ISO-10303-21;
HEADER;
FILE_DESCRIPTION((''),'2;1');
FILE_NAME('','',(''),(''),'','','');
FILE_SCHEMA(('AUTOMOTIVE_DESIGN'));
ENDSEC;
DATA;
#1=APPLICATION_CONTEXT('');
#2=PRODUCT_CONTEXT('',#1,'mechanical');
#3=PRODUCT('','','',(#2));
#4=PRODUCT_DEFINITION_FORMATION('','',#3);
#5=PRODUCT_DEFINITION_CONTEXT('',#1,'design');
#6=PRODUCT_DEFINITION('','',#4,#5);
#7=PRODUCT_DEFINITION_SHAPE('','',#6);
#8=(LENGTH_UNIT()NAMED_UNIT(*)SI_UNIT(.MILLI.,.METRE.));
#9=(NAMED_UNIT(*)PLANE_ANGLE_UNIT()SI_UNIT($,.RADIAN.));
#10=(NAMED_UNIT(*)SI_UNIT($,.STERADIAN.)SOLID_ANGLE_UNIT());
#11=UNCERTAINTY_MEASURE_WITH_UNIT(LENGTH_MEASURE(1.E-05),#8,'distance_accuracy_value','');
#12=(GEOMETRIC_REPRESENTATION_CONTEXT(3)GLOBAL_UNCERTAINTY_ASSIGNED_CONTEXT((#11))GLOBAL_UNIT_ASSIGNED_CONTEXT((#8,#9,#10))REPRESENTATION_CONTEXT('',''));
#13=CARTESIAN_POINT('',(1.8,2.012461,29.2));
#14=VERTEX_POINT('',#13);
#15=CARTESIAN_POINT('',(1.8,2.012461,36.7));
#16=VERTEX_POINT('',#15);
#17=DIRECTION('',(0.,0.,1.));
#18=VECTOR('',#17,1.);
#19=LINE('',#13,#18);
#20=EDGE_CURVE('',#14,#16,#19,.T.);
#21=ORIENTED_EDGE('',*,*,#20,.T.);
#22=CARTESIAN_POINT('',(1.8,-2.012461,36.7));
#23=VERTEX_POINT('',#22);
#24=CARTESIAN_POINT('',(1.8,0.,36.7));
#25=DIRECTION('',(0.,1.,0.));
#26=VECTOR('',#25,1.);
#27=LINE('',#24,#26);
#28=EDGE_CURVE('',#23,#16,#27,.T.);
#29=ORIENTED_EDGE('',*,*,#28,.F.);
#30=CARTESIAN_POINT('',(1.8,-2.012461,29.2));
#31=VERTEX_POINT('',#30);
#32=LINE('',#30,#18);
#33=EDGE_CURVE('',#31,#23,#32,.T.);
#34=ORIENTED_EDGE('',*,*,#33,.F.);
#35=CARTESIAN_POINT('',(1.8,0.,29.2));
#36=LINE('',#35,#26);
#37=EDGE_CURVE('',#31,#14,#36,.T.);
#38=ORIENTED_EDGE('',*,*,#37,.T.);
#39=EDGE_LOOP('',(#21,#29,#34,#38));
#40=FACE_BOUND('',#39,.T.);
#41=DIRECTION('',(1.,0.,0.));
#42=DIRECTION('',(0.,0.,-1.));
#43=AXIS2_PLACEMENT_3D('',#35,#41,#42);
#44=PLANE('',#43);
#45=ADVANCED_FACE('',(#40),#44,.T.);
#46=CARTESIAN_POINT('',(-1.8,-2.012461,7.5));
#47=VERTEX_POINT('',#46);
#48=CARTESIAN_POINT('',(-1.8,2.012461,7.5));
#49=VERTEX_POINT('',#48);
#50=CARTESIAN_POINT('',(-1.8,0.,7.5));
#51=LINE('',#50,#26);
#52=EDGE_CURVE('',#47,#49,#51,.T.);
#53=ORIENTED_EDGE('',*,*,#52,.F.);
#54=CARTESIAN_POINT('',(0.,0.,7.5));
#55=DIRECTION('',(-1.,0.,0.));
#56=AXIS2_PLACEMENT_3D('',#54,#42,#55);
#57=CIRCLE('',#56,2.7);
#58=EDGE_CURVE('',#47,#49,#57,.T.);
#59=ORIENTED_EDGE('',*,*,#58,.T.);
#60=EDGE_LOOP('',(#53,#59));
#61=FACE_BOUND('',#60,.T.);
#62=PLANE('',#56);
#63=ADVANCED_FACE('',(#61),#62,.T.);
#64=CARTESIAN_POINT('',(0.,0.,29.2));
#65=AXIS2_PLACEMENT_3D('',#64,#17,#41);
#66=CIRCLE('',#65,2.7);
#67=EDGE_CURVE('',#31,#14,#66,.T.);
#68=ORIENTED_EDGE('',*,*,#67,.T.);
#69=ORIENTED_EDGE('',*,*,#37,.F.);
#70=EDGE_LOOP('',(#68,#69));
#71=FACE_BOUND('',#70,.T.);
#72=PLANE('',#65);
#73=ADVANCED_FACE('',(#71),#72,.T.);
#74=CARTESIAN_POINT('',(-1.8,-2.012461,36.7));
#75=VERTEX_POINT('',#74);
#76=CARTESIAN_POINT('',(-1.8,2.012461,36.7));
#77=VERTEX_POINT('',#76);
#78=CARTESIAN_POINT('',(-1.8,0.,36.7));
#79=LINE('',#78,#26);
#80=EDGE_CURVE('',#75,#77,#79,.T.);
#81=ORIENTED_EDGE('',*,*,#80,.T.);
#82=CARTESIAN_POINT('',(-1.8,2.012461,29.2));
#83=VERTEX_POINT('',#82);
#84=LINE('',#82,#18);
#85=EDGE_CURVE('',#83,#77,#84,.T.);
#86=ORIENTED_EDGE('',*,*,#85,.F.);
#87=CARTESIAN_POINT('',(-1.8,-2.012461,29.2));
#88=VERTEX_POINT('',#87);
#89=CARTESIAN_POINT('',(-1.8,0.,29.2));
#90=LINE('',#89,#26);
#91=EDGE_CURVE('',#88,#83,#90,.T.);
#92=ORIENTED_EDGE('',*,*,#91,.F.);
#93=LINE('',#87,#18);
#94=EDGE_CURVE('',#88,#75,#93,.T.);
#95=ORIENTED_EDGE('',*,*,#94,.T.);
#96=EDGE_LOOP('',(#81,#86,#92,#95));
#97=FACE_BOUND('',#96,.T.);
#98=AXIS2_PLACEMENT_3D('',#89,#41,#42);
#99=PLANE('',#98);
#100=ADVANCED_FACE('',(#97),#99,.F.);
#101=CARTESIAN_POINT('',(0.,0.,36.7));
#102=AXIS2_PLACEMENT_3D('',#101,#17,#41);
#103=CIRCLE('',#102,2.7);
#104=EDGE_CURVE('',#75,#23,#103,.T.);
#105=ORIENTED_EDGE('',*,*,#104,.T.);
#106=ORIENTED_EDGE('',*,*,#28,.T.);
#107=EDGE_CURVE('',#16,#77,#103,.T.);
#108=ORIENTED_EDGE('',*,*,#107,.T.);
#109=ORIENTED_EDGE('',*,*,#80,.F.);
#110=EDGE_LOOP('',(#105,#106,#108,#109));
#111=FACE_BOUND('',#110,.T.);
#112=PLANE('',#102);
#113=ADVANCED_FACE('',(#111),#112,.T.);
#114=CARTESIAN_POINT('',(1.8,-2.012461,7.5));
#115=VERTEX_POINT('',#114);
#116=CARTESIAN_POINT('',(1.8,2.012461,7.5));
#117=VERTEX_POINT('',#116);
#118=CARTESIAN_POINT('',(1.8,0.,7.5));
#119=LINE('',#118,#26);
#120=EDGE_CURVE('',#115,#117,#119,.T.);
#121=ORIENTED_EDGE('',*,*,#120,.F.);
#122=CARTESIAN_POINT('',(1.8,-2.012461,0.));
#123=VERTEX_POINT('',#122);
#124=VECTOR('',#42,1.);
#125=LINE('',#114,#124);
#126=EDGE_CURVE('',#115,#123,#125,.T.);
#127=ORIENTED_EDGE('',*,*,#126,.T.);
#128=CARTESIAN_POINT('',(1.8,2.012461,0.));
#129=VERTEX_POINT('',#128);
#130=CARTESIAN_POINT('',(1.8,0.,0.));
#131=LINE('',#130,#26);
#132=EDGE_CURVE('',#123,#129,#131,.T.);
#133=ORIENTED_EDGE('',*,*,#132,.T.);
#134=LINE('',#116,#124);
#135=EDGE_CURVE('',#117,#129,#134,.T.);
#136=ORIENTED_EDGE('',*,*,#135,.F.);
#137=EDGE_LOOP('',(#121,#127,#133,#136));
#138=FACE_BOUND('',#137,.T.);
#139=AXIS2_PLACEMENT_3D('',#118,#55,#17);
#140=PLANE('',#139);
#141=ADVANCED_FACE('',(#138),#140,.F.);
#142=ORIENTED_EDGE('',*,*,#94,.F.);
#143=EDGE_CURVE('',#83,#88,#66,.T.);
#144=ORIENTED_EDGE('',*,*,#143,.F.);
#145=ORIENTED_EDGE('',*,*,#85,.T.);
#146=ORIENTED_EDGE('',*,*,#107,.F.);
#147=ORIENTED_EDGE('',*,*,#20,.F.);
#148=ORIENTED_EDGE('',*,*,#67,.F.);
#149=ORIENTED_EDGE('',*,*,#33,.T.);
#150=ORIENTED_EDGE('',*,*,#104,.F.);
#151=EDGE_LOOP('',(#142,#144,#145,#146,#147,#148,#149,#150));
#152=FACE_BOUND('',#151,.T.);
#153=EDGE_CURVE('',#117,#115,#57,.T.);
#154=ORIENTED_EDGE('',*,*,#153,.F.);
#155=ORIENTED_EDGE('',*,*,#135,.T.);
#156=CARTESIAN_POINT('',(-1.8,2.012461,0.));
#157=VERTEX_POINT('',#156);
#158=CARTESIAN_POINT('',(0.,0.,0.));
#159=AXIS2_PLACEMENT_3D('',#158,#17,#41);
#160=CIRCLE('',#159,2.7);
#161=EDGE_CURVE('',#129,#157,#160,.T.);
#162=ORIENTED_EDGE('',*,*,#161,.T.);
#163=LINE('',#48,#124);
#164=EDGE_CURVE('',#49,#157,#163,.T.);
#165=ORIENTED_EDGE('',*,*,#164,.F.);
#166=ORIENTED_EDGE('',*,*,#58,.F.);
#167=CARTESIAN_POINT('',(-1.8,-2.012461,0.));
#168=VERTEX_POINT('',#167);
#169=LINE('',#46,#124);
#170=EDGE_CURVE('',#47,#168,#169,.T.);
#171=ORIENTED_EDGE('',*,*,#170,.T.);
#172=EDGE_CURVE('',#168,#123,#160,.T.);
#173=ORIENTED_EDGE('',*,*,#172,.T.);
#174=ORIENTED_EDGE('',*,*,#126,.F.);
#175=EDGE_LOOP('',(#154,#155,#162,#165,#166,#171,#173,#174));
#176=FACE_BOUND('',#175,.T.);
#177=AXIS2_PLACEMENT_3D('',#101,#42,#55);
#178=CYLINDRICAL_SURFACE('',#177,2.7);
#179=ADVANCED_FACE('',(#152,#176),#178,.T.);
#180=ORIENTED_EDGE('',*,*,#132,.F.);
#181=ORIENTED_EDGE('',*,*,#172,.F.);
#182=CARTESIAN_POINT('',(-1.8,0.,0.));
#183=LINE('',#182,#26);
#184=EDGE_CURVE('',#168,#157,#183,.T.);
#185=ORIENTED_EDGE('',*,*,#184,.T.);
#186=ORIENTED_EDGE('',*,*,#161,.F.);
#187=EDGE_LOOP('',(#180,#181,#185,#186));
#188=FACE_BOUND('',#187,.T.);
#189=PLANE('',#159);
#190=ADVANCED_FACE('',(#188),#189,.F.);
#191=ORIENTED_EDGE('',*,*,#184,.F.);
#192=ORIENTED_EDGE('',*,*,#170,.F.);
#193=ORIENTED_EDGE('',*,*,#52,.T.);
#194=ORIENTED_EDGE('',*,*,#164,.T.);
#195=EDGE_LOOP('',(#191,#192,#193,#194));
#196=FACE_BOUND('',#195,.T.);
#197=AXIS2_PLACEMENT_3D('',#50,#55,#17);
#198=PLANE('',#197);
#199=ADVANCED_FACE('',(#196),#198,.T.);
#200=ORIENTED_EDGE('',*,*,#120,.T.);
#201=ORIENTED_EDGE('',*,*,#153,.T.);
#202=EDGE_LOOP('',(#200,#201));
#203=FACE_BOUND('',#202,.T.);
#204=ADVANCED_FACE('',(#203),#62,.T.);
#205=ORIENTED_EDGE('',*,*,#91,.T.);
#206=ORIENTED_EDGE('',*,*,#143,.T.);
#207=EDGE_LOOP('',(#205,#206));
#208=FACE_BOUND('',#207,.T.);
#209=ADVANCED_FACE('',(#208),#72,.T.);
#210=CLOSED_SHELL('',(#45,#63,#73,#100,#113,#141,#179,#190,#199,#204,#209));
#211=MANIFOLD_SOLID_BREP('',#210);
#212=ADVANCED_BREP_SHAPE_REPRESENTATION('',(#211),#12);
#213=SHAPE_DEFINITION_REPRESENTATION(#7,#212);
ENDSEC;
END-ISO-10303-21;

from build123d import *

# Parameters (mm, degrees)
CROQUIS1_R              = 2.7
SALIENTE_EXTRUIR1_DEPTH = 36.7
CORTAR_EXTRUIR1_DEPTH   = 7.5
CORTAR_EXTRUIR2_START   = -7.5
CORTAR_EXTRUIR2_DEPTH   = 7.5


with BuildPart() as part:
    # Croquis1 → Saliente-Extruir1 (new body)
    with BuildSketch(Plane.XY):
        Circle(CROQUIS1_R)
    extrude(amount=SALIENTE_EXTRUIR1_DEPTH)

    # Croquis2 → Cortar-Extruir1 (cut)
    with BuildSketch(Plane(origin=(0, 0, 0), x_dir=(-1, 0, 0), z_dir=(0, 0, -1))):
        with BuildLine():
            ThreePointArc((-1.8, 2.01246118), (-2.7, 0), (-1.8, -2.01246118))
            Line((-1.8, -2.01246118), (-1.8, 2.01246118))
        make_face()
        with BuildLine():
            Line((1.8, 2.01246118), (1.8, -2.01246118))
            ThreePointArc((1.8, -2.01246118), (2.464751509, -1.102270384), (2.7, 0))
            ThreePointArc((2.7, 0), (2.464751509, 1.102270384), (1.8, 2.01246118))
        make_face()
    extrude(amount=-CORTAR_EXTRUIR1_DEPTH, mode=Mode.SUBTRACT)

    # Croquis3 → Cortar-Extruir2 (cut)
    with BuildSketch(Plane.XY.offset(36.7).offset(CORTAR_EXTRUIR2_START)):
        with BuildLine():
            Line((1.8, 2.01246118), (1.8, -2.01246118))
            ThreePointArc((1.8, -2.01246118), (2.464751509, -1.102270384), (2.7, 0))
            ThreePointArc((2.7, 0), (2.464751509, 1.102270384), (1.8, 2.01246118))
        make_face()
        with BuildLine():
            ThreePointArc((-1.8, 2.01246118), (-2.7, 0), (-1.8, -2.01246118))
            Line((-1.8, -2.01246118), (-1.8, 2.01246118))
        make_face()
    extrude(amount=CORTAR_EXTRUIR2_DEPTH, mode=Mode.SUBTRACT)


solid = part.part
